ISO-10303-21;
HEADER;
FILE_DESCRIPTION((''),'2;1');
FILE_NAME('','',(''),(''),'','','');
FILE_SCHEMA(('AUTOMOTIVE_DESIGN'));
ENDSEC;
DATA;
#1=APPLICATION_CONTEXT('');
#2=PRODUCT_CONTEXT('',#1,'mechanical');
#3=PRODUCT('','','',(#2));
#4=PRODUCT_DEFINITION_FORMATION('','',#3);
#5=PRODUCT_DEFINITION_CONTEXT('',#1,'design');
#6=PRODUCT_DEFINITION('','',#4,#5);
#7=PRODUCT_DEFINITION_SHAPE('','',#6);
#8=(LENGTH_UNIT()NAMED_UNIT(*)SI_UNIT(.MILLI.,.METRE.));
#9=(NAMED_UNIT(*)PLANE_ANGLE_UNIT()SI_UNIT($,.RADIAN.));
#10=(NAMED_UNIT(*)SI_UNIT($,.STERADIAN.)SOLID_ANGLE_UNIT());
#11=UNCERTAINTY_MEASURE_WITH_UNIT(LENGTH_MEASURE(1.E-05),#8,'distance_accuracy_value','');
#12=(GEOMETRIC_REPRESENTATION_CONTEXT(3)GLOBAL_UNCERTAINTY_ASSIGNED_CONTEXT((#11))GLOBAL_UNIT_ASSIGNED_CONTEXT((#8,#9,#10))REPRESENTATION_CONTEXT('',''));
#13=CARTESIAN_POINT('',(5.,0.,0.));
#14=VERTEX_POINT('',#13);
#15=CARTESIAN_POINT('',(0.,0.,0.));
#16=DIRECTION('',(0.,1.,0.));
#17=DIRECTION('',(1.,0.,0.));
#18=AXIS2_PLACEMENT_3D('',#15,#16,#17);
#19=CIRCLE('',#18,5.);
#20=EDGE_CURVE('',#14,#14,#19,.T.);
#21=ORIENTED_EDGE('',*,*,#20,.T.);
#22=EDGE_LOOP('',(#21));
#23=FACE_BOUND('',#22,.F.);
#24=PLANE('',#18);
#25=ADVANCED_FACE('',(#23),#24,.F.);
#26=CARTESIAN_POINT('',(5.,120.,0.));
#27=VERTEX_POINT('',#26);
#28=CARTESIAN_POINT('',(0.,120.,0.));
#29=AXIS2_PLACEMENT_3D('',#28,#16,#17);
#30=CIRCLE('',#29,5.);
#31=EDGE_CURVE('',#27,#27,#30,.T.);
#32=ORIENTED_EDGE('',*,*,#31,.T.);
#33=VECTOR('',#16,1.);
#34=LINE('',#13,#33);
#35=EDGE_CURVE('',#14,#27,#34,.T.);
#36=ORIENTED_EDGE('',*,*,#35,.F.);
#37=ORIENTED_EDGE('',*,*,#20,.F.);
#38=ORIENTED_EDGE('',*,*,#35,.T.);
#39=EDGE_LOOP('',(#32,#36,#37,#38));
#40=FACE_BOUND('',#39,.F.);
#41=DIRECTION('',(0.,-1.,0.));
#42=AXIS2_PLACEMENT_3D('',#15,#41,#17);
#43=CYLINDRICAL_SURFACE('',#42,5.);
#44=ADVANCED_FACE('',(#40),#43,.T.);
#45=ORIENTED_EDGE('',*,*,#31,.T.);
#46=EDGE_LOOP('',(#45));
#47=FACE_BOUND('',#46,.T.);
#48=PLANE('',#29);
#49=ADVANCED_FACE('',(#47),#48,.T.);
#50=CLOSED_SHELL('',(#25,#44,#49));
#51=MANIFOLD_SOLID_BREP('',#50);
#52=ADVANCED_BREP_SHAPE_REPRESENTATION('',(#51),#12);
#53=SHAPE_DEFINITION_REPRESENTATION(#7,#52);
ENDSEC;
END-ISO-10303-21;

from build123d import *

# Parameters (mm, degrees)
ESBO_O1_R                = 5
RESSALTO_EXTRUS_O1_DEPTH = 120


with BuildPart() as part:
    # Esboço1 → Ressalto-extrusão1 (new body)
    with BuildSketch(Plane(origin=(0, 0, 0), x_dir=(1, 0, 0), z_dir=(0, 1, 0))):
        Circle(ESBO_O1_R)
    extrude(amount=RESSALTO_EXTRUS_O1_DEPTH)


solid = part.part
